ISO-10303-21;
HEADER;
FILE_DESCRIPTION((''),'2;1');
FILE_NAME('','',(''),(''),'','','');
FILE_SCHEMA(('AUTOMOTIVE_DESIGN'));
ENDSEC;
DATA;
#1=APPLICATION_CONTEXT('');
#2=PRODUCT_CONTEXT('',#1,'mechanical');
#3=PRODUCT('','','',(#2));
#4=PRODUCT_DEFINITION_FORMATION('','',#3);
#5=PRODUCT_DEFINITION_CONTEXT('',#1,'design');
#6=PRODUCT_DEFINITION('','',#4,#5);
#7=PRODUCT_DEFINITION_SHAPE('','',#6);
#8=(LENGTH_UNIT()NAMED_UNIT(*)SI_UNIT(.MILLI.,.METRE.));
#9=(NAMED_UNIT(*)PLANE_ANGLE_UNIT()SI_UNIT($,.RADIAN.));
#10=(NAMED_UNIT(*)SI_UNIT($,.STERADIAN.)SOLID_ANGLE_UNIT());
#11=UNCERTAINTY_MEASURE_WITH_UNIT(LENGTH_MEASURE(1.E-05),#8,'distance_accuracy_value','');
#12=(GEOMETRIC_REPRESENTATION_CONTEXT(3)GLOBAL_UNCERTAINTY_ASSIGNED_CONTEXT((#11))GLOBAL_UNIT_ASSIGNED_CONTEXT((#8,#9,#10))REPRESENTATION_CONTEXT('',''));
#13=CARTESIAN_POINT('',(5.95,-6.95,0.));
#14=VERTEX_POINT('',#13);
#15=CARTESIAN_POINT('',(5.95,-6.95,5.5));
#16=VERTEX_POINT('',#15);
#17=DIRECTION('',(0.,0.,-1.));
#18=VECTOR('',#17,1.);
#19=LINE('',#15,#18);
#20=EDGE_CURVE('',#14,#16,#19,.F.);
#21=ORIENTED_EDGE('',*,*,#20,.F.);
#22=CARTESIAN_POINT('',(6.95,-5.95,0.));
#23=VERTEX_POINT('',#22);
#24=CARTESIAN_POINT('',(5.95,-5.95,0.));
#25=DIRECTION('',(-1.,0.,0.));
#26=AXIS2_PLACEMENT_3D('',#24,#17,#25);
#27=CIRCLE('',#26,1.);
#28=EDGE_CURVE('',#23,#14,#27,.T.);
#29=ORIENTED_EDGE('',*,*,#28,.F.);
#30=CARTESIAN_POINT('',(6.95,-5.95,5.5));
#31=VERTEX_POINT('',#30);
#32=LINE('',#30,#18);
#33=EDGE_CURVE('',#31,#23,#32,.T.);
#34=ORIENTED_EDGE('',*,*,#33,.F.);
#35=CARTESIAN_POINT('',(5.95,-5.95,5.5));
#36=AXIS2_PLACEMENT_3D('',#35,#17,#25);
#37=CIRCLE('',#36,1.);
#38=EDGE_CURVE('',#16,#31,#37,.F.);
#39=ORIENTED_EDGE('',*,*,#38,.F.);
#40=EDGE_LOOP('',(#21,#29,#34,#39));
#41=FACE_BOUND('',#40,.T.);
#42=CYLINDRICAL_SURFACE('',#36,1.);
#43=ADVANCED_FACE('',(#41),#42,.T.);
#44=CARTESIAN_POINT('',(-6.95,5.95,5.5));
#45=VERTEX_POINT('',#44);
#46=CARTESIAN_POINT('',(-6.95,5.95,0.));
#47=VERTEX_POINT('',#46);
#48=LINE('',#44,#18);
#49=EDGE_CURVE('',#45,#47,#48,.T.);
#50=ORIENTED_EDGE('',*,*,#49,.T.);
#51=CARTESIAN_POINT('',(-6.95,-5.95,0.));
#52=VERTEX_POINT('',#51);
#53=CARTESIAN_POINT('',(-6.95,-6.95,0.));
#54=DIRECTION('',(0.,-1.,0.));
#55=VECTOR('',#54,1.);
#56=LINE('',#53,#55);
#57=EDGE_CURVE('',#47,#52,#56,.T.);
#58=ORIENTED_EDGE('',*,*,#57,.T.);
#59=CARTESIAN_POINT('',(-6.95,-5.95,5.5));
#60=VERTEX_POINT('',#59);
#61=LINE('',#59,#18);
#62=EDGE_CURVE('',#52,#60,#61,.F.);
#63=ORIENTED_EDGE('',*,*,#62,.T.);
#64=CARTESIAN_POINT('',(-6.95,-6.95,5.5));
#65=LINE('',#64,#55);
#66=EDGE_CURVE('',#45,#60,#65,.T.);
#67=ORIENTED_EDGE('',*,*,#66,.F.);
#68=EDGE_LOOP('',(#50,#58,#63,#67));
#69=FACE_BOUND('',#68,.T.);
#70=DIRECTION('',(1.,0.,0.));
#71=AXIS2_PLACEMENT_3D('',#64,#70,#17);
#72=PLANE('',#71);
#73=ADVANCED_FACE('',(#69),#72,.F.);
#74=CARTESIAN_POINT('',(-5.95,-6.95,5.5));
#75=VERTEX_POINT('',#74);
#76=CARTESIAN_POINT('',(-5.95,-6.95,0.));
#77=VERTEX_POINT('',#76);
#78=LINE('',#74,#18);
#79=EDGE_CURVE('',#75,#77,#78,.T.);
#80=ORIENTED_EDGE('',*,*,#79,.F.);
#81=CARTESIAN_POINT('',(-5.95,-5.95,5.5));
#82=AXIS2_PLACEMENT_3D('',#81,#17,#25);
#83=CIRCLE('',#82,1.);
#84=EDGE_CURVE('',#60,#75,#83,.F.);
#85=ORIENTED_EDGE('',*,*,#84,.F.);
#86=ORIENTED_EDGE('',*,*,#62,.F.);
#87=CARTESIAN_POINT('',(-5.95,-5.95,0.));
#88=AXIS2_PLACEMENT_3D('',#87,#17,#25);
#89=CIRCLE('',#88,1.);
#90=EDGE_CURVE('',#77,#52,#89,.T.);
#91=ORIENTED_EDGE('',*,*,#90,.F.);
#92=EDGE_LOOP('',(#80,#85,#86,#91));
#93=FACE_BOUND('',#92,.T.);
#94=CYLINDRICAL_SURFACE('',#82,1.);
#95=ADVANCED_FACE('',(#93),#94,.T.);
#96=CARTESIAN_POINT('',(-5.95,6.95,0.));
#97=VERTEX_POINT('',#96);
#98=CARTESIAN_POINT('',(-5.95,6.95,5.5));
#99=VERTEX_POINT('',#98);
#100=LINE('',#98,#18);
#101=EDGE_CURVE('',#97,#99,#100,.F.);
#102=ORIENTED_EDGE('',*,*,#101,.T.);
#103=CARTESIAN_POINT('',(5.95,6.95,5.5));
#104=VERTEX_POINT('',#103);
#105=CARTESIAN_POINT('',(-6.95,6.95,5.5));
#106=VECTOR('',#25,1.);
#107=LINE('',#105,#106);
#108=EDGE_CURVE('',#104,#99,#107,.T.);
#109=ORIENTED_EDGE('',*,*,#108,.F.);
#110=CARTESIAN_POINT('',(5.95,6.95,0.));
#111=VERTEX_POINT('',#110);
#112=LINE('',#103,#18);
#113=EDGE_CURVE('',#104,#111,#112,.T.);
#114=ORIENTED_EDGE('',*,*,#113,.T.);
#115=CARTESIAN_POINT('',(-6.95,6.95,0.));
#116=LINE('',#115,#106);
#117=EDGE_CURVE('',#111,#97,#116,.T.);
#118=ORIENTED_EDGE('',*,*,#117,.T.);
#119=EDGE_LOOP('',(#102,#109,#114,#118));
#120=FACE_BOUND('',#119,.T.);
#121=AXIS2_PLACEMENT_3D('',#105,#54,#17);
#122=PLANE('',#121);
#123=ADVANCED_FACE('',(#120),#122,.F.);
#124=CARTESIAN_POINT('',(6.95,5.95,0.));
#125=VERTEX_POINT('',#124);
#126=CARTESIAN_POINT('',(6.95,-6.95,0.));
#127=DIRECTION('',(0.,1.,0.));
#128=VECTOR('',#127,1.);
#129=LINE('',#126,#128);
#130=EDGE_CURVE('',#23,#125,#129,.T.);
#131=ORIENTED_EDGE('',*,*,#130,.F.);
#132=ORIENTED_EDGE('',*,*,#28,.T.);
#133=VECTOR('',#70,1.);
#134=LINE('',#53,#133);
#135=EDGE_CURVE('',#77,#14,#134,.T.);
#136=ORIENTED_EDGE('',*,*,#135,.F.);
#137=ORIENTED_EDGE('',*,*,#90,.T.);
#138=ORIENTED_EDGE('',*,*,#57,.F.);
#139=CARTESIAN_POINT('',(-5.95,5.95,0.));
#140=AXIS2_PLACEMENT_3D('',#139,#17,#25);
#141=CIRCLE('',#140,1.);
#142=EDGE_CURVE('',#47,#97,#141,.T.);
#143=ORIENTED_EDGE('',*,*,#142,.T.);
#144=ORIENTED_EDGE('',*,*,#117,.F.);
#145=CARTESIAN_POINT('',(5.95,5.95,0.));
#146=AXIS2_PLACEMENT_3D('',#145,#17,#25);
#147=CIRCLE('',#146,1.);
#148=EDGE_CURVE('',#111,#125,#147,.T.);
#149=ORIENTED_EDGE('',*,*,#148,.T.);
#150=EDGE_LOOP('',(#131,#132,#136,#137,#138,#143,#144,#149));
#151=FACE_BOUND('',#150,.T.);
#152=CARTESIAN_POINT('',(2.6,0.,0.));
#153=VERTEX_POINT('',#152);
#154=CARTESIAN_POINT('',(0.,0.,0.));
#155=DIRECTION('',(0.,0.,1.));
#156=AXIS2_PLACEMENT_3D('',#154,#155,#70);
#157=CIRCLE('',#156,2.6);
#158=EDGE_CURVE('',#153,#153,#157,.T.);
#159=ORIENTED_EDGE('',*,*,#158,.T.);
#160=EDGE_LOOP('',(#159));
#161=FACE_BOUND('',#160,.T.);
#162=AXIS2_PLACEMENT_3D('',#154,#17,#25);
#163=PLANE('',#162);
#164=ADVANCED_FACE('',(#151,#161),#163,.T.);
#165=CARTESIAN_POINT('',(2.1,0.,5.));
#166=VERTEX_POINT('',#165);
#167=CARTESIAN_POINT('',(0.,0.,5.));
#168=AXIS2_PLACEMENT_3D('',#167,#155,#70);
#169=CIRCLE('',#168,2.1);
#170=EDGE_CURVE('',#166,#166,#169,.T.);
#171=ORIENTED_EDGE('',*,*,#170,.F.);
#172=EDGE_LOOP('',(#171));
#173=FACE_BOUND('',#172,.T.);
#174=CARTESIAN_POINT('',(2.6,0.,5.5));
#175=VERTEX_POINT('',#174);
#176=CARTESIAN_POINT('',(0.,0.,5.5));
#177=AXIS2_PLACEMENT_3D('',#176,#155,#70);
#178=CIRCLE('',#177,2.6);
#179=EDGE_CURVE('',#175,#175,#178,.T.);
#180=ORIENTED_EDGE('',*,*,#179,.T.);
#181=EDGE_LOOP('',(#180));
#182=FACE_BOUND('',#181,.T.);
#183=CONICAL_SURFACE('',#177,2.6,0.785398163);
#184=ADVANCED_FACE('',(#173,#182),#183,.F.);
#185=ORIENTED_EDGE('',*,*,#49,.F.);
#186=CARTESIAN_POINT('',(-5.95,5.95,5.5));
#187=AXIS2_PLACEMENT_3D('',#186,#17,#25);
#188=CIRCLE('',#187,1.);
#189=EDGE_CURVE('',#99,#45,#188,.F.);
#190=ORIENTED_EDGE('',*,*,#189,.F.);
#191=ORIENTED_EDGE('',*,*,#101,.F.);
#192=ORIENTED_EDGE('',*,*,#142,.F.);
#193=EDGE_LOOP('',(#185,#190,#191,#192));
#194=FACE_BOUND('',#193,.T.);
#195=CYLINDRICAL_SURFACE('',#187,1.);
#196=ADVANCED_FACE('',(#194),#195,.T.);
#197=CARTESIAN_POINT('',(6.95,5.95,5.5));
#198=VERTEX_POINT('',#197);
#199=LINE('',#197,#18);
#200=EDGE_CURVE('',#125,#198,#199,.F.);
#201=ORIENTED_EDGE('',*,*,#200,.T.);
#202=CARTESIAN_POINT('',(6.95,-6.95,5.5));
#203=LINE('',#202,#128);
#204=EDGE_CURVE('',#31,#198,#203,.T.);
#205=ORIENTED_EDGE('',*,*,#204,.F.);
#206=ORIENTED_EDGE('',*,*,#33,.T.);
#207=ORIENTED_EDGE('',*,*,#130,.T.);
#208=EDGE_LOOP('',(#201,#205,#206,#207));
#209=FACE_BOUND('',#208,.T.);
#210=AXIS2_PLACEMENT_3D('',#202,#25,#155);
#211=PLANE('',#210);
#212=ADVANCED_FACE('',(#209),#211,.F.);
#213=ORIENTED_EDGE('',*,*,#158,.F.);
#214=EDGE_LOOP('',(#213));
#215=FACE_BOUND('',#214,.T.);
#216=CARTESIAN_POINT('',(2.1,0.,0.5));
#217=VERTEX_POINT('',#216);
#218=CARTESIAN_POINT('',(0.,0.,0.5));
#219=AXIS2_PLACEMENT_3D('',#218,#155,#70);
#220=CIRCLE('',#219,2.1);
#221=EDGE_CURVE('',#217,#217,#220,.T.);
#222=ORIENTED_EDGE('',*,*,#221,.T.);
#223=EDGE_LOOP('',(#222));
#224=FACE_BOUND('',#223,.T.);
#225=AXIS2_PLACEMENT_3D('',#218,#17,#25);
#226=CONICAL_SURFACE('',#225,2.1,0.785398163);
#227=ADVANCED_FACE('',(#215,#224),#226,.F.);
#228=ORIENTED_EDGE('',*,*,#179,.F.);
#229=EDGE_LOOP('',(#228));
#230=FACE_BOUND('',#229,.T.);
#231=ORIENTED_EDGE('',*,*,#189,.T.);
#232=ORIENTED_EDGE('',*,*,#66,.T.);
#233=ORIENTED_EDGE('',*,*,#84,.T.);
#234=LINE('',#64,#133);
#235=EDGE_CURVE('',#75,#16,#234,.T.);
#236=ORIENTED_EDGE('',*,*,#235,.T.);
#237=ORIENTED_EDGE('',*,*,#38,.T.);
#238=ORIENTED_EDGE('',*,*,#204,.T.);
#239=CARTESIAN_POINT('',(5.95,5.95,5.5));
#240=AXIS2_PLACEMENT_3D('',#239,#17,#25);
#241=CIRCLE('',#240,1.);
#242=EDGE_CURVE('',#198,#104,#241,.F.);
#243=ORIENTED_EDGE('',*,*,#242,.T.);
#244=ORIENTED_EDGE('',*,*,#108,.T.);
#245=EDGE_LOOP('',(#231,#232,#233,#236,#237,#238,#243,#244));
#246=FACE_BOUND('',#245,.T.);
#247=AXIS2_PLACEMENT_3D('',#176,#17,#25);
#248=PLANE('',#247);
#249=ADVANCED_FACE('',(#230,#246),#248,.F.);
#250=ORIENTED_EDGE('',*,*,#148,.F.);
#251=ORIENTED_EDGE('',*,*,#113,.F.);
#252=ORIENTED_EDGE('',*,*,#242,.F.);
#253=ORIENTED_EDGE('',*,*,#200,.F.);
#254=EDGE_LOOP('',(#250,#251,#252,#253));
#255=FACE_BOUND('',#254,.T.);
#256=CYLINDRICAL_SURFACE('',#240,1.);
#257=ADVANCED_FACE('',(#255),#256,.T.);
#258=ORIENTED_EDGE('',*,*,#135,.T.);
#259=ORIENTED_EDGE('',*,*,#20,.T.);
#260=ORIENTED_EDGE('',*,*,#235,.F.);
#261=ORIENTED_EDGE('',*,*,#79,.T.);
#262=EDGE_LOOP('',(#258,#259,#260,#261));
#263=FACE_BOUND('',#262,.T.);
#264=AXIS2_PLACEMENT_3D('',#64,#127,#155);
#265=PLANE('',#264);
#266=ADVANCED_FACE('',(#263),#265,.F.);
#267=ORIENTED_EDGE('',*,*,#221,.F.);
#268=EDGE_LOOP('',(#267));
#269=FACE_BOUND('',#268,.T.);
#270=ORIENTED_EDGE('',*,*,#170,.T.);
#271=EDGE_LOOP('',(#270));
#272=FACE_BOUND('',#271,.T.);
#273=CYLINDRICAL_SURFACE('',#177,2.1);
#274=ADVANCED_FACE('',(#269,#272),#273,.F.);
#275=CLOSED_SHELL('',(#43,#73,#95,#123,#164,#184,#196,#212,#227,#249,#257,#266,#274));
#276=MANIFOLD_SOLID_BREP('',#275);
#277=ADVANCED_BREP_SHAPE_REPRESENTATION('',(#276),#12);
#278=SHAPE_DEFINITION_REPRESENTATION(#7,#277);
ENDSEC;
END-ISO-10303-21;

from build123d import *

# Parameters (mm, degrees)
SKETCH_1_W      = 13.9
SKETCH_1_H      = 13.9
EXTRUDE_1_DEPTH = 5.5
FILLET_1_R      = 1


with BuildPart() as part:
    # Эскиз1 → Бобышка-Вытянуть1 (new body)
    with BuildSketch(Plane.XY):
        Rectangle(SKETCH_1_W, SKETCH_1_H)
    extrude(amount=EXTRUDE_1_DEPTH)

    # Эскиз3 → Отверстие обработанное метчиком M52 (revolve, cut)
    with BuildSketch(Plane(origin=(0, 0, 5.5), x_dir=(0, -1, 0), z_dir=(1, 0, 0))):
        Polygon((0, 0), (0, 5.5), (2.6, 5.5), (2.1, 5), (2.1, 0.5), (2.6, 0), align=None)
    revolve(axis=Axis((0, 0, 11.85), (0, 0, -1)), mode=Mode.SUBTRACT)

    # Скругление1
    fillet_1_edges = [part.edges().sort_by_distance(p)[0] for p in [
        (6.95, -6.95, 2.75),
        (-6.95, -6.95, 2.75),
        (-6.95, 6.95, 2.75),
        (6.95, 6.95, 2.75),
    ]]
    fillet(fillet_1_edges, radius=FILLET_1_R)


solid = part.part
